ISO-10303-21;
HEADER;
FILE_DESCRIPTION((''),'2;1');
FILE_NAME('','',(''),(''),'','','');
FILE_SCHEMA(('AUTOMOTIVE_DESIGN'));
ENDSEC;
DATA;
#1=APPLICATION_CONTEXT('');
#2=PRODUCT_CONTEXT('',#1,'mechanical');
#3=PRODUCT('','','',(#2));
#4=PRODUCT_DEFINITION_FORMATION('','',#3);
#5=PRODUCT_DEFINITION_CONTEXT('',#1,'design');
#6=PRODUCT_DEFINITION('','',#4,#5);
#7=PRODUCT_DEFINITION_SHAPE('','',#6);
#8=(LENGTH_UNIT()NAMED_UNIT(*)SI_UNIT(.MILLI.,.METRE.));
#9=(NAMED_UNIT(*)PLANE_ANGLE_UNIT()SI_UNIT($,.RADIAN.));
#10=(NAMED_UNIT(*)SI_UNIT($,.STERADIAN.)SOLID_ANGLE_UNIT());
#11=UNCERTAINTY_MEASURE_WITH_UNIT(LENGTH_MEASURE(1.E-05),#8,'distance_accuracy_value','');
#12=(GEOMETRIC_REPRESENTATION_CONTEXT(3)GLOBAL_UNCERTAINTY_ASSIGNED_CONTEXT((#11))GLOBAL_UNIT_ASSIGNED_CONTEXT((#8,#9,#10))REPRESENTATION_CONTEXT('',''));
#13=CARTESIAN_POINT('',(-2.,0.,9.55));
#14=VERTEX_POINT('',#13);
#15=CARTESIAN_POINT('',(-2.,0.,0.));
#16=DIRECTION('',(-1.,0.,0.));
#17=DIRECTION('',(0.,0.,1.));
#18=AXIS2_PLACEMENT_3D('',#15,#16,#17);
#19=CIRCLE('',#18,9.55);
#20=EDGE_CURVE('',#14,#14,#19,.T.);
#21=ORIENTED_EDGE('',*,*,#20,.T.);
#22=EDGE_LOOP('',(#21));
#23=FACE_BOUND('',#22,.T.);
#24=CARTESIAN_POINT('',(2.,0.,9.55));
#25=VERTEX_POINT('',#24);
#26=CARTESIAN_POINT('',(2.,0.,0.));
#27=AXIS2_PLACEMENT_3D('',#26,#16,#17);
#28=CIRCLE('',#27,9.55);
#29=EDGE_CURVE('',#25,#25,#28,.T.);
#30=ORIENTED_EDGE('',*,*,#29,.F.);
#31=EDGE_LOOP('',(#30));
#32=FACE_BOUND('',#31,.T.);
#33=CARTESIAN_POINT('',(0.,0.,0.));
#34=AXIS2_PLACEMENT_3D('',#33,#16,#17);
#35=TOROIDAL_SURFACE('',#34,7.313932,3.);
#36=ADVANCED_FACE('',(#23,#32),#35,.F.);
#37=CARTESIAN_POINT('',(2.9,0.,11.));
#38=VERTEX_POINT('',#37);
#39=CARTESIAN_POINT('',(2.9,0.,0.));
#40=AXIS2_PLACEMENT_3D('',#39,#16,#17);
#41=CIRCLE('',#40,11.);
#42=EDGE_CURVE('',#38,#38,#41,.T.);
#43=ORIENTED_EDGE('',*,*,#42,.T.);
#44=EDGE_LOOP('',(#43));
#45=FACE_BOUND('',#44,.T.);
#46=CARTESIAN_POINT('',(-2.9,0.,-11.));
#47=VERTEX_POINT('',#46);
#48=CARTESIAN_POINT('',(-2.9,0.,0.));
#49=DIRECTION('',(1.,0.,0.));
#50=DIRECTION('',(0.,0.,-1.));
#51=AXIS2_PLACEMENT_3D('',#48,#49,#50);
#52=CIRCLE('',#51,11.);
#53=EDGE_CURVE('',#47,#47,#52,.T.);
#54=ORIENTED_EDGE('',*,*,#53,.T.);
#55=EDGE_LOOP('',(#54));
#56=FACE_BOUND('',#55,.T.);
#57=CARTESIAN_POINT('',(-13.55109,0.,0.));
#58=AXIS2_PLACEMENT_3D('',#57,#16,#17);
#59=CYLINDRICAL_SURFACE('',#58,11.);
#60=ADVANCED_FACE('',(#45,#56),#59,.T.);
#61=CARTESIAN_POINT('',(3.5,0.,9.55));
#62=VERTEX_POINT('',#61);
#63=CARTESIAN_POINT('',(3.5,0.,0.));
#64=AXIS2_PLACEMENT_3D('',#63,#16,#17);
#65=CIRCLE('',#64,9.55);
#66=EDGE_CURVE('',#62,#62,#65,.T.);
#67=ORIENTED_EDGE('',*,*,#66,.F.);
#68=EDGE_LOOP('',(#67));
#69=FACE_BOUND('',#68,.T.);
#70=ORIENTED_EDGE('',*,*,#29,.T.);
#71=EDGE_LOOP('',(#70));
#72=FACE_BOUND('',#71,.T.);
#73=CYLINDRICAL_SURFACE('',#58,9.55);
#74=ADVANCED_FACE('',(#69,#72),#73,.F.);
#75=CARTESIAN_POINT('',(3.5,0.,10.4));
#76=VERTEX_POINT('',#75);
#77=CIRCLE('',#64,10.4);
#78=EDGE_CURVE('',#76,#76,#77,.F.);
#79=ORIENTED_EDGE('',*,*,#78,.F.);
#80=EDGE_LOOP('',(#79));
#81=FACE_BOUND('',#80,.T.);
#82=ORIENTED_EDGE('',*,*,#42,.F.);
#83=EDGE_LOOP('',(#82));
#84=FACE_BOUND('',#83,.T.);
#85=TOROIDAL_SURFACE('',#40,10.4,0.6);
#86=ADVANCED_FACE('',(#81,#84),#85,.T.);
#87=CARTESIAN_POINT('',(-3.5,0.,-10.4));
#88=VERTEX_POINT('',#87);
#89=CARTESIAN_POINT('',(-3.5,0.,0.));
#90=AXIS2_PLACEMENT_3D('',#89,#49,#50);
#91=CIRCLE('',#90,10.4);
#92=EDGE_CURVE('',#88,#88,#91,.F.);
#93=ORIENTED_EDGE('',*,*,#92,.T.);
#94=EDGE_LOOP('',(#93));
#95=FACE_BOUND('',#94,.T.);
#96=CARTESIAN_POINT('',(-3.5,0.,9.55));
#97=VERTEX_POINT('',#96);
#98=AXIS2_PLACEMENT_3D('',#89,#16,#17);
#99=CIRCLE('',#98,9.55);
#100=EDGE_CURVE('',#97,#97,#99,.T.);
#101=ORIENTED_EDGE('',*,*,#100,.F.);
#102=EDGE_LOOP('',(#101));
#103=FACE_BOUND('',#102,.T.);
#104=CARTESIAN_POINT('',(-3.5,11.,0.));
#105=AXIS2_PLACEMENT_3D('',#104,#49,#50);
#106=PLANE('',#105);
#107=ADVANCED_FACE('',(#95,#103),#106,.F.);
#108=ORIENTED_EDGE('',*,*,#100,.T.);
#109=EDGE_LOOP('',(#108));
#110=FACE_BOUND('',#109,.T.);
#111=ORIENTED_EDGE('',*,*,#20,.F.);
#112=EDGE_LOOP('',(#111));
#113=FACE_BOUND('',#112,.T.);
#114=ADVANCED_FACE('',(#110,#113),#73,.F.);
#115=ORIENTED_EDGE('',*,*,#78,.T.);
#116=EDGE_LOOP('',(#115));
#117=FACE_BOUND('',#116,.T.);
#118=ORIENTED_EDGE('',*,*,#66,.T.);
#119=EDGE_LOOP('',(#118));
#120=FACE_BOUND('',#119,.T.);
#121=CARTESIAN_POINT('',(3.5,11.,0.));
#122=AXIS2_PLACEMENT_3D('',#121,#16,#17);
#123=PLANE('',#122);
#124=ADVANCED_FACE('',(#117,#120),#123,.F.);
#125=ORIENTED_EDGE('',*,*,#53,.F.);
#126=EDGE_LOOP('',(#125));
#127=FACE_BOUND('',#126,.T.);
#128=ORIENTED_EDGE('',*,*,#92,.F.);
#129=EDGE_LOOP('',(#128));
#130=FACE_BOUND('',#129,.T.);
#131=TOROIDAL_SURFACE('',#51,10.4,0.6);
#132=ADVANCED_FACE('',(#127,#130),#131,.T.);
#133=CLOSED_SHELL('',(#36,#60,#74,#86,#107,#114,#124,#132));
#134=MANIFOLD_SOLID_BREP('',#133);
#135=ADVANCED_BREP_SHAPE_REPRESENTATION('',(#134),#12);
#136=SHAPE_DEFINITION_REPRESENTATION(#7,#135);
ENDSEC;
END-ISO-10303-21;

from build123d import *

# Parameters (mm, degrees)
RADYUS1_R = 0.6


with BuildPart() as part:
    # Çizim1 → Döndür1 (revolve)
    with BuildSketch(Plane.XY, mode=Mode.PRIVATE) as d_nd_r1_sk:
        with BuildLine():
            Line((-3.5, 11), (3.5, 11))
            Line((3.5, 11), (3.5, 9.55))
            Line((3.5, 9.55), (2, 9.55))
            ThreePointArc((2, 9.55), (0, 10.313932023), (-2, 9.55))
            Line((-2, 9.55), (-3.5, 9.55))
            Line((-3.5, 9.55), (-3.5, 11))
        make_face()
    revolve(d_nd_r1_sk.sketch.rotate(Axis((-13.551089688, 0, 0), (1, 0, 0)), 90), axis=Axis((-13.551089688, 0, 0), (1, 0, 0)))

    # Radyus1
    radyus1_edges = [part.edges().sort_by_distance(p)[0] for p in [
        (3.5, 0, -11),
        (-3.5, 0, -11),
    ]]
    fillet(radyus1_edges, radius=RADYUS1_R)


solid = part.part
